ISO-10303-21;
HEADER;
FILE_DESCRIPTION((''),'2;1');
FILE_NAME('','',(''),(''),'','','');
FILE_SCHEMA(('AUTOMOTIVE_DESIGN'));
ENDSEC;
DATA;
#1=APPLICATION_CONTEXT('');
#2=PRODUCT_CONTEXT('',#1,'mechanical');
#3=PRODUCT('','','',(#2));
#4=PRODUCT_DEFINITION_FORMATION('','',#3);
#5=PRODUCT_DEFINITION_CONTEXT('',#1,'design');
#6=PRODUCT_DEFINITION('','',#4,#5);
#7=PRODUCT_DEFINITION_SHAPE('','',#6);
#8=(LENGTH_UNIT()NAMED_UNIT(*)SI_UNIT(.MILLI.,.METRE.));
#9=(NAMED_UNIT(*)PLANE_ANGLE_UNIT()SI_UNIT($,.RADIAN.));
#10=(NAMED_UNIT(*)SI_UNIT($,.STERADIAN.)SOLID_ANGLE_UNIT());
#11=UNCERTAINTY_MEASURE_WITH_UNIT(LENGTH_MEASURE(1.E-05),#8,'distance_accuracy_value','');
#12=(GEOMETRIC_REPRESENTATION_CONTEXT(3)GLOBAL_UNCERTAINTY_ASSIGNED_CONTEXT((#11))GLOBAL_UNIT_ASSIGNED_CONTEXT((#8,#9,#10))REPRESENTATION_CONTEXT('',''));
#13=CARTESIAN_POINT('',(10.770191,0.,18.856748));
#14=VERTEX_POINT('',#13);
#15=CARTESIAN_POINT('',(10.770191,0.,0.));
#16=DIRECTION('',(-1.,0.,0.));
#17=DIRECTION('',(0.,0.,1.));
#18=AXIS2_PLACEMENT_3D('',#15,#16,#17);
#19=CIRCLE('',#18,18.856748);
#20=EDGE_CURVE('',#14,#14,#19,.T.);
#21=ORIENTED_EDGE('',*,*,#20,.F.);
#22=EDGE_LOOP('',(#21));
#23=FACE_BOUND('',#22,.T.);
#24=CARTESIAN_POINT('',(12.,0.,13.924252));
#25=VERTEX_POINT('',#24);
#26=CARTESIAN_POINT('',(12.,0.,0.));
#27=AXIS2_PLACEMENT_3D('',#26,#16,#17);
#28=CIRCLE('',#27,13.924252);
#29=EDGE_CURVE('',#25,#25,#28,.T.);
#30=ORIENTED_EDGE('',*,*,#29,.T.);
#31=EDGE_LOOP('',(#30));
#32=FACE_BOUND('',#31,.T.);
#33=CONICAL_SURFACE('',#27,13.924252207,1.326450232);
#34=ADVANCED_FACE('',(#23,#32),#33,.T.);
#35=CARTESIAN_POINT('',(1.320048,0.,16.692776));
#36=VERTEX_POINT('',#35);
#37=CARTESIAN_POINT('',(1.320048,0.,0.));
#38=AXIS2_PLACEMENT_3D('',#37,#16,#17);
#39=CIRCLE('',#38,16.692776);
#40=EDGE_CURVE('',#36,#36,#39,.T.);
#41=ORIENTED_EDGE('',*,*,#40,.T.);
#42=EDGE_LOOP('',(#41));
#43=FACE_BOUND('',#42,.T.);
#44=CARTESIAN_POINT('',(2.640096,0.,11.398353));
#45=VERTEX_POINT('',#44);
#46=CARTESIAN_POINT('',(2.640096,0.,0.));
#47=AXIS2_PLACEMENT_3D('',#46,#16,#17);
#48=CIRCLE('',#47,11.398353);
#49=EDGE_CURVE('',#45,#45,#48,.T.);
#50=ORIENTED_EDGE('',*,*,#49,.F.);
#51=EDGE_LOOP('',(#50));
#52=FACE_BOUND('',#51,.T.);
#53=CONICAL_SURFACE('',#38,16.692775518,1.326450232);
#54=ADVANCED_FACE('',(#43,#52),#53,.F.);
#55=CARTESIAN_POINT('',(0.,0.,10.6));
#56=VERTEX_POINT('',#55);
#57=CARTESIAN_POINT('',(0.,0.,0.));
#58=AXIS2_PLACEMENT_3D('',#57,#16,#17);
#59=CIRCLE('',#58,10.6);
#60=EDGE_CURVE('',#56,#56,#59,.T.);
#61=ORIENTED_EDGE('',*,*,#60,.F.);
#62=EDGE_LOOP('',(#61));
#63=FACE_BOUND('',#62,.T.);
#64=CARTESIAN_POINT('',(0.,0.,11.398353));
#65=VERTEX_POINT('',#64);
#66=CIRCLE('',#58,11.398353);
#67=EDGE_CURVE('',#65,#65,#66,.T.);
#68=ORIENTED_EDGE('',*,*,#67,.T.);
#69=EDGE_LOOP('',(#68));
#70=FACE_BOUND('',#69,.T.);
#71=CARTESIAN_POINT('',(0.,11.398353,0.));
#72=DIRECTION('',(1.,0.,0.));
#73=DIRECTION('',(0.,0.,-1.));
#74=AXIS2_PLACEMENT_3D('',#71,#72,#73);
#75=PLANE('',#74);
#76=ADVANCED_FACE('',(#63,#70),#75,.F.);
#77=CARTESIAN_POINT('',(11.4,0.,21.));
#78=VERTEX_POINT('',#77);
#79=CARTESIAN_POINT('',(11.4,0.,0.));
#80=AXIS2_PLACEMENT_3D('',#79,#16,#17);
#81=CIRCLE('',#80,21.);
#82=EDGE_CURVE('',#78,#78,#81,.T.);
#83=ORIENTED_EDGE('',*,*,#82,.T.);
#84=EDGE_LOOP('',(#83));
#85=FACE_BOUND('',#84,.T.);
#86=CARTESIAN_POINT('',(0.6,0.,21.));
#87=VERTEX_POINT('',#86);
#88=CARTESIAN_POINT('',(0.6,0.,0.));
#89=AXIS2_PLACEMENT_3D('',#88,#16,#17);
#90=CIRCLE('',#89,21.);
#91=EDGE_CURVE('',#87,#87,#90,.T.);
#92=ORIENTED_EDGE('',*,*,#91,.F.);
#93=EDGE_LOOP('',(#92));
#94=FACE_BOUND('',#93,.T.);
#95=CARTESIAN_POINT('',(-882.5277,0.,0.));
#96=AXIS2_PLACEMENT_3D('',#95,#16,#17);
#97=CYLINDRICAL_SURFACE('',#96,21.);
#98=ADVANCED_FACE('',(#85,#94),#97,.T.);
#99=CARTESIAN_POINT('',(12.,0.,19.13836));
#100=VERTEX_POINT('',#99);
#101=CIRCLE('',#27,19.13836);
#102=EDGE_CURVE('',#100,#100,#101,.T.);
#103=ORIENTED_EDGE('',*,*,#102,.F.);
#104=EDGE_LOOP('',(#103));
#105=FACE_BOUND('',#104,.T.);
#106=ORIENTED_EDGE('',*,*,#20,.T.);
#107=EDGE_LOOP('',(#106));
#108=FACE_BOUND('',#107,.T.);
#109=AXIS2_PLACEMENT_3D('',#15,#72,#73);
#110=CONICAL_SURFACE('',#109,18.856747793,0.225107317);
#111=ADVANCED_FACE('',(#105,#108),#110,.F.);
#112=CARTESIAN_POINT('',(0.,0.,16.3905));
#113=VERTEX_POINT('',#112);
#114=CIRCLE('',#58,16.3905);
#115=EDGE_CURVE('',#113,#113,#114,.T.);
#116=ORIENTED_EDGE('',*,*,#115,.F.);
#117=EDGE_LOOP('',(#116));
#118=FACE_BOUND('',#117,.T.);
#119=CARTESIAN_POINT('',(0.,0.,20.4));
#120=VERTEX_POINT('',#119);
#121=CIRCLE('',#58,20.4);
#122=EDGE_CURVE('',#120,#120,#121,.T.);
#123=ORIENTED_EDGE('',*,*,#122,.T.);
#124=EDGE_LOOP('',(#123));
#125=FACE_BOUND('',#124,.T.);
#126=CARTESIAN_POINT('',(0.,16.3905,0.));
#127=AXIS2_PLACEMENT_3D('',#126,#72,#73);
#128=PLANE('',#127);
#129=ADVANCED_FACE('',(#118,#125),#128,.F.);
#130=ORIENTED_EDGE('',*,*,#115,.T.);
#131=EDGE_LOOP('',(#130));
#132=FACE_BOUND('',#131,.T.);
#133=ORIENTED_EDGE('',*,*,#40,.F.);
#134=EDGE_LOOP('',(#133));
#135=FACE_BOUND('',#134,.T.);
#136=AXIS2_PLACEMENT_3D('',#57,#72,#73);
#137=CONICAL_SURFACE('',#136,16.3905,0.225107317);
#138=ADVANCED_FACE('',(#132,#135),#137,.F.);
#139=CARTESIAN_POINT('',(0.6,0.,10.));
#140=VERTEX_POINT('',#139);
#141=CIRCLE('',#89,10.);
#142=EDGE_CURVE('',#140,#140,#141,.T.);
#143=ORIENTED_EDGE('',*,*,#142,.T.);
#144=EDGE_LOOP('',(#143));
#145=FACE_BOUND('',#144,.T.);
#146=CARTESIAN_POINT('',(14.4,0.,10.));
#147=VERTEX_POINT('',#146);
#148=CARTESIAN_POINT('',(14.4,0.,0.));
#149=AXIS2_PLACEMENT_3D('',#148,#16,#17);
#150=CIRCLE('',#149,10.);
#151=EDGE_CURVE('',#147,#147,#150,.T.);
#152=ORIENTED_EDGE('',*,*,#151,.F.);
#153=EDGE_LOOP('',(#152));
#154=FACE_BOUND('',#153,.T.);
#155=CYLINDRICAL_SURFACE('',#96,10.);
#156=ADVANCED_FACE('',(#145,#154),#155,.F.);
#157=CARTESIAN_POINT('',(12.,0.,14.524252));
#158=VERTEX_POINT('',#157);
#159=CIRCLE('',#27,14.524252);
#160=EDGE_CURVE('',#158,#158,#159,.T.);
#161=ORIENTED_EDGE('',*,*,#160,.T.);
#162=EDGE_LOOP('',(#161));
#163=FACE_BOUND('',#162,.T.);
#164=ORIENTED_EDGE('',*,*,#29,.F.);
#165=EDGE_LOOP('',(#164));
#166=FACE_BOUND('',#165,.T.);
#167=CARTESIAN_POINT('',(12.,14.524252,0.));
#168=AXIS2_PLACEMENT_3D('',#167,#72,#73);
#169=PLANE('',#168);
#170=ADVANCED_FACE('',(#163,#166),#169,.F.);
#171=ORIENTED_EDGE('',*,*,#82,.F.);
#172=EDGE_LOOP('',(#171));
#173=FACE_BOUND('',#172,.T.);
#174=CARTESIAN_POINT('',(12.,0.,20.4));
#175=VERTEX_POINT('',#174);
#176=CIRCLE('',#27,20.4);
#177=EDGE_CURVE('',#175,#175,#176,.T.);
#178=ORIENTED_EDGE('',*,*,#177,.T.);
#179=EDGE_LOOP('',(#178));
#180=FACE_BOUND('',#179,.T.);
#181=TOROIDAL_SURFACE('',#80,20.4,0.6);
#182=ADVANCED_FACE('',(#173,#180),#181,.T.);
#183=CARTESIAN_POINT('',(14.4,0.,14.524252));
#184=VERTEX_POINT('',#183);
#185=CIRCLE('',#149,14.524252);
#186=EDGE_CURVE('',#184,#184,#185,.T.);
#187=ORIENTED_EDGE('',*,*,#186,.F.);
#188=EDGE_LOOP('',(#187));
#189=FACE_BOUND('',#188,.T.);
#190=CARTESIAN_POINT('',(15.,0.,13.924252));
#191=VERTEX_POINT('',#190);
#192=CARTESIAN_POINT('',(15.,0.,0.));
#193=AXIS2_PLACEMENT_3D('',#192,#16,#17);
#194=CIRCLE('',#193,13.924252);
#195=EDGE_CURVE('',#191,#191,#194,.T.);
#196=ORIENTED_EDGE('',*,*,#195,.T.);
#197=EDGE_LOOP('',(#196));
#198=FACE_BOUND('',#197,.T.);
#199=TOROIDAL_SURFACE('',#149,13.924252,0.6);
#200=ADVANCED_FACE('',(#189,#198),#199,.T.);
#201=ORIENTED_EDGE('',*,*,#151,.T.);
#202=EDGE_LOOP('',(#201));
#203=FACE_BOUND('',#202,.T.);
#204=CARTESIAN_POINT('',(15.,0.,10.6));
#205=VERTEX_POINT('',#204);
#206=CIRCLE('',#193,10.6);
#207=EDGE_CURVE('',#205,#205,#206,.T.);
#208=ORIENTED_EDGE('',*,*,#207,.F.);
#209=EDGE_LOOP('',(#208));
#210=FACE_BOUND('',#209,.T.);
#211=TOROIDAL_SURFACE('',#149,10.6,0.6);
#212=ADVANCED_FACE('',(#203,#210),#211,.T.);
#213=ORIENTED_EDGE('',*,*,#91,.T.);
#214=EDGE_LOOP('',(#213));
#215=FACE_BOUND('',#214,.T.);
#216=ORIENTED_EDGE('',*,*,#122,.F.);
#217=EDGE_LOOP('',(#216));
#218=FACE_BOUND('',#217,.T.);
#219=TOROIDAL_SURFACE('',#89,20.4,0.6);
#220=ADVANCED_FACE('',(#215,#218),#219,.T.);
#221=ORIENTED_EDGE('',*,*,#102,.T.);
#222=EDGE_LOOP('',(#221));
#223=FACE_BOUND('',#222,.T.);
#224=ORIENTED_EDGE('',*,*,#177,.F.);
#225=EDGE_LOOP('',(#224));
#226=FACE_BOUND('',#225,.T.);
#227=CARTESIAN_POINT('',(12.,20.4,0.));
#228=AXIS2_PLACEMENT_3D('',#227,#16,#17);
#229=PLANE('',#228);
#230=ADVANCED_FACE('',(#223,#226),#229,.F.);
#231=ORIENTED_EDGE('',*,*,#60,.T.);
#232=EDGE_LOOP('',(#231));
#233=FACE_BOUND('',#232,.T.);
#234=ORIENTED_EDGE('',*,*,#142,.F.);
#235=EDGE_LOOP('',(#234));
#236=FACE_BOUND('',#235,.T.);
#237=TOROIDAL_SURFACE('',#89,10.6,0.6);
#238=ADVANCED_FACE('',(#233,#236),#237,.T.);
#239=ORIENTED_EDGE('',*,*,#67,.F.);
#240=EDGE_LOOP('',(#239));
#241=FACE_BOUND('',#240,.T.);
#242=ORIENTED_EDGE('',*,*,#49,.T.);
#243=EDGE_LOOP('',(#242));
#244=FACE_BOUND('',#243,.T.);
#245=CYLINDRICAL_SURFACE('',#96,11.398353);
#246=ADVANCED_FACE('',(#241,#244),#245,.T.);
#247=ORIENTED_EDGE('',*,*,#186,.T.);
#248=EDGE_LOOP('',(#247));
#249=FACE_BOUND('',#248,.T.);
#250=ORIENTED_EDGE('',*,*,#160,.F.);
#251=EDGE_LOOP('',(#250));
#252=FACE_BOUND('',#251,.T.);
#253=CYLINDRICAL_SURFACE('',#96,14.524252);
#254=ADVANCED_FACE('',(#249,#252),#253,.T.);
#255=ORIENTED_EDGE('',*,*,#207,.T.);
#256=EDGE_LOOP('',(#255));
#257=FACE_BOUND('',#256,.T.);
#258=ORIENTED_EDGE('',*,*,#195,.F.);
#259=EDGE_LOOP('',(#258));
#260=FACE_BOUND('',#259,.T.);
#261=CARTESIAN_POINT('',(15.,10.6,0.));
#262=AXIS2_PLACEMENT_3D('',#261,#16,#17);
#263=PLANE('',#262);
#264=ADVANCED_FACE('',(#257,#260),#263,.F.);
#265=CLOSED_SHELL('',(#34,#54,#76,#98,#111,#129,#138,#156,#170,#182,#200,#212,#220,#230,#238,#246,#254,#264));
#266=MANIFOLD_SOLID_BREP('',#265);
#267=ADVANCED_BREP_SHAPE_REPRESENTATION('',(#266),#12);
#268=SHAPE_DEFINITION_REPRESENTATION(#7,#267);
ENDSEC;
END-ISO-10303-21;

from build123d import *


with BuildPart() as part:
    # Эскиз1 → Повернуть1 (revolve)
    with BuildSketch(Plane.XY):
        with BuildLine():
            Line((1.320047805, 16.692775518), (0, 16.3905))
            Line((0, 16.3905), (0, 20.4))
            ThreePointArc((0, 20.4), (0.175735931, 20.824264069), (0.6, 21))
            Line((0.6, 21), (11.4, 21))
            ThreePointArc((11.4, 21), (11.824264069, 20.824264069), (12, 20.4))
            Line((12, 20.4), (12, 19.138359743))
            Line((12, 19.138359743), (10.770190726, 18.856747793))
            Line((10.770190726, 18.856747793), (12, 13.924252207))
            Line((12, 13.924252207), (12, 14.524252207))
            Line((12, 14.524252207), (14.4, 14.524252207))
            ThreePointArc((14.4, 14.524252207), (14.824264069, 14.348516276), (15, 13.924252207))
            Line((15, 13.924252207), (15, 10.6))
            ThreePointArc((15, 10.6), (14.824264069, 10.175735931), (14.4, 10))
            Line((14.4, 10), (0.6, 10))
            ThreePointArc((0.6, 10), (0.175735931, 10.175735931), (0, 10.6))
            Line((0, 10.6), (0, 11.398352952))
            Line((0, 11.398352952), (2.640095609, 11.398352952))
            Line((2.640095609, 11.398352952), (1.320047805, 16.692775518))
        make_face()
    revolve(axis=Axis((-882.527700014, 0, 0), (1, 0, 0)))


solid = part.part
